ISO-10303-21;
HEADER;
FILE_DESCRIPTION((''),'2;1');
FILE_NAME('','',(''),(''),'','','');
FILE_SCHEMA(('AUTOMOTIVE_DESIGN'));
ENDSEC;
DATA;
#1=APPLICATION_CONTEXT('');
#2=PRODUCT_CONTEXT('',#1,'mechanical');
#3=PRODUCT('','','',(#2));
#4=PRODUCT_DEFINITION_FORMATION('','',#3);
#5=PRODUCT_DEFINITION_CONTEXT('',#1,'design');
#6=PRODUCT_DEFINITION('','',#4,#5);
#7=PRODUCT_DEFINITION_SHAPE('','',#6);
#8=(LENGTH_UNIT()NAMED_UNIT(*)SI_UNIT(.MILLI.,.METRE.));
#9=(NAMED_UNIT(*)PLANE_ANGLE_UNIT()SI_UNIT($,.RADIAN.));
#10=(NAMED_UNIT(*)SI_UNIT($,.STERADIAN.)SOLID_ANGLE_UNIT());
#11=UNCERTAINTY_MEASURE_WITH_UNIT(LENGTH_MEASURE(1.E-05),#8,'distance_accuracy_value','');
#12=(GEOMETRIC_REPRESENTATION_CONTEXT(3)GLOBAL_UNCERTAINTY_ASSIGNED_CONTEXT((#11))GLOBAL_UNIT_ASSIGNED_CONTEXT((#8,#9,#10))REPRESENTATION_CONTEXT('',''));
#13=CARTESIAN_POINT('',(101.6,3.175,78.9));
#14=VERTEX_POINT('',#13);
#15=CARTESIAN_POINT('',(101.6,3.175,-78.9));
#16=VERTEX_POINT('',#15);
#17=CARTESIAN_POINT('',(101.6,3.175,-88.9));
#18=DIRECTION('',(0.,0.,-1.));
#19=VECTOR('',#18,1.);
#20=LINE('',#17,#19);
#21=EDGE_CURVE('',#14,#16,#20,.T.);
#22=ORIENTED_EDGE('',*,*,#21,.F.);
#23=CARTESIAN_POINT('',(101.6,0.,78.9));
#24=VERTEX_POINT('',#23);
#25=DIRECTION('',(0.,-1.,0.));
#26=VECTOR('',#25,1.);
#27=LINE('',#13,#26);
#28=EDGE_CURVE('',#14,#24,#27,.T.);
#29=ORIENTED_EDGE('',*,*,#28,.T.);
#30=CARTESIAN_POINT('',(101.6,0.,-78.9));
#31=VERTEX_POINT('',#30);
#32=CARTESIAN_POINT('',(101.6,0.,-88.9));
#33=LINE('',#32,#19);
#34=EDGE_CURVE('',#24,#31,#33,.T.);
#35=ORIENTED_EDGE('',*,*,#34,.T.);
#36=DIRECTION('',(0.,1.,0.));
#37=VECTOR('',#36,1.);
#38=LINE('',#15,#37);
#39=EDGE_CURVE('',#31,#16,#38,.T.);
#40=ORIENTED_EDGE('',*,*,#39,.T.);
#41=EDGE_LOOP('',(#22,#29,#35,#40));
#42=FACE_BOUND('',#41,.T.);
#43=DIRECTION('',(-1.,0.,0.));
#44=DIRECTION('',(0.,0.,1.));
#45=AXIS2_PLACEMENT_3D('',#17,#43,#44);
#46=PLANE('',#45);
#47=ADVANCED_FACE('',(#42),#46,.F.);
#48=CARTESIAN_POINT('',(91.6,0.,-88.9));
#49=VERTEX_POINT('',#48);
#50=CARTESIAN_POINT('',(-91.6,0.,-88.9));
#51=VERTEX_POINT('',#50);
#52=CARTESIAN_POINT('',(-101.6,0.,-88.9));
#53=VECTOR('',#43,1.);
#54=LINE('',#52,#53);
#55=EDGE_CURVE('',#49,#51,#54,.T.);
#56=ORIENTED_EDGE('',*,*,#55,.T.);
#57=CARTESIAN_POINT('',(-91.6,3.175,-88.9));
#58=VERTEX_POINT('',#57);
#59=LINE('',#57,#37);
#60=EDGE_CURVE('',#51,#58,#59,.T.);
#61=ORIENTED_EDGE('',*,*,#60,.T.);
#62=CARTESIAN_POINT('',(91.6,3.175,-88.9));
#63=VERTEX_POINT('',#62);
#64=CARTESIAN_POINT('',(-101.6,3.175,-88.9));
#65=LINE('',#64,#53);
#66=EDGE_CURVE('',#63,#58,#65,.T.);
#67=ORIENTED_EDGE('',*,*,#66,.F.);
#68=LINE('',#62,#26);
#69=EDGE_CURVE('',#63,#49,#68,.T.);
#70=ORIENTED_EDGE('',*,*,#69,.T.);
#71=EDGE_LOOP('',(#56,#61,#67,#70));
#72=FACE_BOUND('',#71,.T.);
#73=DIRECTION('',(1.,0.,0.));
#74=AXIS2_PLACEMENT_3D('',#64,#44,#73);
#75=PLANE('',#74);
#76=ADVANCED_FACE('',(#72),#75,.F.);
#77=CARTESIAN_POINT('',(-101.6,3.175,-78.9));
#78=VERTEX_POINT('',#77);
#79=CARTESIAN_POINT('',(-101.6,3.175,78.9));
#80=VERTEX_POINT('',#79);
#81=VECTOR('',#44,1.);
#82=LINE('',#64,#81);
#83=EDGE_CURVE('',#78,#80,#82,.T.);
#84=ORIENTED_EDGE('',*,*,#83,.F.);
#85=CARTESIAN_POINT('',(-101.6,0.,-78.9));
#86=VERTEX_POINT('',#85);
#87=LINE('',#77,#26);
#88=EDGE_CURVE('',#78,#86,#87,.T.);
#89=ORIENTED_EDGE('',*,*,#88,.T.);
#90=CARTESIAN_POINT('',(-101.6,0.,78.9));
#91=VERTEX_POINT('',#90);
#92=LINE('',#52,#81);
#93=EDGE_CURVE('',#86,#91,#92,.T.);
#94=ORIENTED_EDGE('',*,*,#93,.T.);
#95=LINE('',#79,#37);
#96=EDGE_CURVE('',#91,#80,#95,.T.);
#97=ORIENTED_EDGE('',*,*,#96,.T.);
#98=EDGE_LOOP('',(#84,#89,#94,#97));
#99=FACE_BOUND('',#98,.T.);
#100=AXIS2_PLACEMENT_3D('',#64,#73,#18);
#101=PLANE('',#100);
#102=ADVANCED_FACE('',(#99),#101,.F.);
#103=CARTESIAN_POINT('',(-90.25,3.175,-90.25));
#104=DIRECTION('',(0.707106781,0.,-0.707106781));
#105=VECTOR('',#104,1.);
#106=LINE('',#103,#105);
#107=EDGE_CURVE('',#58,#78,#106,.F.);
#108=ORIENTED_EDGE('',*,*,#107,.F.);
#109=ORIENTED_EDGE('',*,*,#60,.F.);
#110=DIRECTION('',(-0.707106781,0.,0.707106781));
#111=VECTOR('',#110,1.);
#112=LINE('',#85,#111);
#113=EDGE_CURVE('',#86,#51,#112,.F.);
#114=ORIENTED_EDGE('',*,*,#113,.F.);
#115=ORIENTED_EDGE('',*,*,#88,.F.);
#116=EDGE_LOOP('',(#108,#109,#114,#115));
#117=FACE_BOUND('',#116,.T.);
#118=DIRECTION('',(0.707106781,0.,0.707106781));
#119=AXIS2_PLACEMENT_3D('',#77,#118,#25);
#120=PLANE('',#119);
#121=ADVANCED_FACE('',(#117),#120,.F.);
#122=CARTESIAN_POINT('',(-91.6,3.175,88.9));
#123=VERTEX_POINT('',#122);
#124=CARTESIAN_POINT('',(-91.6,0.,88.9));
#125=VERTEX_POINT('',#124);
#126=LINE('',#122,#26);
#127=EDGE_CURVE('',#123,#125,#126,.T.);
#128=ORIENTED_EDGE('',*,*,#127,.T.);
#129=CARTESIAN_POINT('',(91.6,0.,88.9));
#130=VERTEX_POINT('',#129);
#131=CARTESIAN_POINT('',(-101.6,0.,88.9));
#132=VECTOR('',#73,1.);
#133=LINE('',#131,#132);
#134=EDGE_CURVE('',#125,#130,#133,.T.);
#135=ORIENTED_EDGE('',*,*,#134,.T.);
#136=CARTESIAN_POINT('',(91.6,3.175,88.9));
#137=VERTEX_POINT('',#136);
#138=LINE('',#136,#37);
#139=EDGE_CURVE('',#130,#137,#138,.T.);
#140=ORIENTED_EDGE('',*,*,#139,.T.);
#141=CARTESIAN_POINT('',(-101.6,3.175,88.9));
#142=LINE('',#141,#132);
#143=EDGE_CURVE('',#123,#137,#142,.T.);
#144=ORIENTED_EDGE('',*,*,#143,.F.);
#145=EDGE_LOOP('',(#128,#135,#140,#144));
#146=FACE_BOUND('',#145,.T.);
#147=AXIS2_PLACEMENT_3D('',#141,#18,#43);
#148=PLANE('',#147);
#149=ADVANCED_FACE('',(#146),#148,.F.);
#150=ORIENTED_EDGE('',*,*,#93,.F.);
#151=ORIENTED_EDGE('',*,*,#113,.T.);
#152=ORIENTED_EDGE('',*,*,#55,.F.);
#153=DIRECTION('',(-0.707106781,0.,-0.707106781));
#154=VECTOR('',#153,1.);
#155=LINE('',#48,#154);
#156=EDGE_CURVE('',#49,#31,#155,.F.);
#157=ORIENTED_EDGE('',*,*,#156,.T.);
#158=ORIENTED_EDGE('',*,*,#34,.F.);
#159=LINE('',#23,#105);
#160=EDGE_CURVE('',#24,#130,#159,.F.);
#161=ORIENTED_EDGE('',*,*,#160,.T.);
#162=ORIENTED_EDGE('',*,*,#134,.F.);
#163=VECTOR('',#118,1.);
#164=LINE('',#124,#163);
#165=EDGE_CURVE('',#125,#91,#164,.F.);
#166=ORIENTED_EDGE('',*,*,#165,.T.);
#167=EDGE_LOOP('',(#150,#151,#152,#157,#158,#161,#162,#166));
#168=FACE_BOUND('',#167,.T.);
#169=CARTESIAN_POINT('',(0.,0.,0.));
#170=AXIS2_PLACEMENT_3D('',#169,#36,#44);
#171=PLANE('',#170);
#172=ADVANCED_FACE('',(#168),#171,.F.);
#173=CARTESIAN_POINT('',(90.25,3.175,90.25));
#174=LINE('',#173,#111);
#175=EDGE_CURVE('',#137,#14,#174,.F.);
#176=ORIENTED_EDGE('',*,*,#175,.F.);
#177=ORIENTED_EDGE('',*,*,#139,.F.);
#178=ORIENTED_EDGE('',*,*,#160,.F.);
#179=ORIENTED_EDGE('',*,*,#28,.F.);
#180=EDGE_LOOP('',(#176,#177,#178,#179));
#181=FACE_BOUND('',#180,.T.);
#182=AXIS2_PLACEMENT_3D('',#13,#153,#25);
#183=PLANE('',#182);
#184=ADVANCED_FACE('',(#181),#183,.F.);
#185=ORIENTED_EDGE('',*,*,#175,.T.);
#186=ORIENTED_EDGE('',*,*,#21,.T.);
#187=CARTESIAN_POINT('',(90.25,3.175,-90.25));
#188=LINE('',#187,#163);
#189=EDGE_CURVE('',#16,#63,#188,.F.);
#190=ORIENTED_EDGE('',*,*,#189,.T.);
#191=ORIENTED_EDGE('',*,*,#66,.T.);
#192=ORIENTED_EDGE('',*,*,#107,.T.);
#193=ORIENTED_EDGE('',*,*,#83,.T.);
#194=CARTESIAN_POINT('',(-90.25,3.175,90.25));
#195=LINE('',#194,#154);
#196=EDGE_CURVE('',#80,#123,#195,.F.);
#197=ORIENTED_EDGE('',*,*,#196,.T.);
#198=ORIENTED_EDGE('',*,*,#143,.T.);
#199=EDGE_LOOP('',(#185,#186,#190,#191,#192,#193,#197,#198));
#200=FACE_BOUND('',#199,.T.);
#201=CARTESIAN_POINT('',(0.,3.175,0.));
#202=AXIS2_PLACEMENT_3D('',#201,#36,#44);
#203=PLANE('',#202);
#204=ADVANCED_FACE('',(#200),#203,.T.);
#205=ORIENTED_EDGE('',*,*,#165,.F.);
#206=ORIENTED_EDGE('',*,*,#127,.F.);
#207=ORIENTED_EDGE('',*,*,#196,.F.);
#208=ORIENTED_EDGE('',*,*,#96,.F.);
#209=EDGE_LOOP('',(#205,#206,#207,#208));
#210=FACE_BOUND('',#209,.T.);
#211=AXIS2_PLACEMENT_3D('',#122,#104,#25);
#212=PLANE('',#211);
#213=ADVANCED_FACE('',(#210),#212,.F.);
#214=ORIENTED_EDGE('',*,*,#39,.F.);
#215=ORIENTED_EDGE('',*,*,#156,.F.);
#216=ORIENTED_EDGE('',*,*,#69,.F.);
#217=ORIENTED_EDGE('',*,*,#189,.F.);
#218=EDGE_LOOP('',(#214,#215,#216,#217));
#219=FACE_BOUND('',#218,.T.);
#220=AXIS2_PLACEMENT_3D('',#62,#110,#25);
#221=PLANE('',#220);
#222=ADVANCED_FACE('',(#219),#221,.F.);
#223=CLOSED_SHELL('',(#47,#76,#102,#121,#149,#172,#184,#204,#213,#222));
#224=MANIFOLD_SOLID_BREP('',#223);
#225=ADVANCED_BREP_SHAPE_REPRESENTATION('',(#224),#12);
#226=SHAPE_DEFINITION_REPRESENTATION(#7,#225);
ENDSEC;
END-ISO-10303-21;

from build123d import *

# Parameters (mm, degrees)
SKETCH1_W           = 203.2
SKETCH1_H           = 177.8
BOSS_EXTRUDE1_DEPTH = 3.175
CHAMFER1_SIZE       = 10


with BuildPart() as part:
    # Sketch1 → Boss-Extrude1 (new body)
    with BuildSketch(Plane(origin=(0, 0, 0), x_dir=(1, 0, 0), z_dir=(0, 1, 0))):
        Rectangle(SKETCH1_W, SKETCH1_H)
    extrude(amount=BOSS_EXTRUDE1_DEPTH)

    # Chamfer1
    chamfer1_edges = [part.edges().sort_by_distance(p)[0] for p in [
        (101.6, 1.5875, 88.9),
        (-101.6, 1.5875, 88.9),
        (-101.6, 1.5875, -88.9),
        (101.6, 1.5875, -88.9),
    ]]
    chamfer(chamfer1_edges, length=CHAMFER1_SIZE)


solid = part.part
